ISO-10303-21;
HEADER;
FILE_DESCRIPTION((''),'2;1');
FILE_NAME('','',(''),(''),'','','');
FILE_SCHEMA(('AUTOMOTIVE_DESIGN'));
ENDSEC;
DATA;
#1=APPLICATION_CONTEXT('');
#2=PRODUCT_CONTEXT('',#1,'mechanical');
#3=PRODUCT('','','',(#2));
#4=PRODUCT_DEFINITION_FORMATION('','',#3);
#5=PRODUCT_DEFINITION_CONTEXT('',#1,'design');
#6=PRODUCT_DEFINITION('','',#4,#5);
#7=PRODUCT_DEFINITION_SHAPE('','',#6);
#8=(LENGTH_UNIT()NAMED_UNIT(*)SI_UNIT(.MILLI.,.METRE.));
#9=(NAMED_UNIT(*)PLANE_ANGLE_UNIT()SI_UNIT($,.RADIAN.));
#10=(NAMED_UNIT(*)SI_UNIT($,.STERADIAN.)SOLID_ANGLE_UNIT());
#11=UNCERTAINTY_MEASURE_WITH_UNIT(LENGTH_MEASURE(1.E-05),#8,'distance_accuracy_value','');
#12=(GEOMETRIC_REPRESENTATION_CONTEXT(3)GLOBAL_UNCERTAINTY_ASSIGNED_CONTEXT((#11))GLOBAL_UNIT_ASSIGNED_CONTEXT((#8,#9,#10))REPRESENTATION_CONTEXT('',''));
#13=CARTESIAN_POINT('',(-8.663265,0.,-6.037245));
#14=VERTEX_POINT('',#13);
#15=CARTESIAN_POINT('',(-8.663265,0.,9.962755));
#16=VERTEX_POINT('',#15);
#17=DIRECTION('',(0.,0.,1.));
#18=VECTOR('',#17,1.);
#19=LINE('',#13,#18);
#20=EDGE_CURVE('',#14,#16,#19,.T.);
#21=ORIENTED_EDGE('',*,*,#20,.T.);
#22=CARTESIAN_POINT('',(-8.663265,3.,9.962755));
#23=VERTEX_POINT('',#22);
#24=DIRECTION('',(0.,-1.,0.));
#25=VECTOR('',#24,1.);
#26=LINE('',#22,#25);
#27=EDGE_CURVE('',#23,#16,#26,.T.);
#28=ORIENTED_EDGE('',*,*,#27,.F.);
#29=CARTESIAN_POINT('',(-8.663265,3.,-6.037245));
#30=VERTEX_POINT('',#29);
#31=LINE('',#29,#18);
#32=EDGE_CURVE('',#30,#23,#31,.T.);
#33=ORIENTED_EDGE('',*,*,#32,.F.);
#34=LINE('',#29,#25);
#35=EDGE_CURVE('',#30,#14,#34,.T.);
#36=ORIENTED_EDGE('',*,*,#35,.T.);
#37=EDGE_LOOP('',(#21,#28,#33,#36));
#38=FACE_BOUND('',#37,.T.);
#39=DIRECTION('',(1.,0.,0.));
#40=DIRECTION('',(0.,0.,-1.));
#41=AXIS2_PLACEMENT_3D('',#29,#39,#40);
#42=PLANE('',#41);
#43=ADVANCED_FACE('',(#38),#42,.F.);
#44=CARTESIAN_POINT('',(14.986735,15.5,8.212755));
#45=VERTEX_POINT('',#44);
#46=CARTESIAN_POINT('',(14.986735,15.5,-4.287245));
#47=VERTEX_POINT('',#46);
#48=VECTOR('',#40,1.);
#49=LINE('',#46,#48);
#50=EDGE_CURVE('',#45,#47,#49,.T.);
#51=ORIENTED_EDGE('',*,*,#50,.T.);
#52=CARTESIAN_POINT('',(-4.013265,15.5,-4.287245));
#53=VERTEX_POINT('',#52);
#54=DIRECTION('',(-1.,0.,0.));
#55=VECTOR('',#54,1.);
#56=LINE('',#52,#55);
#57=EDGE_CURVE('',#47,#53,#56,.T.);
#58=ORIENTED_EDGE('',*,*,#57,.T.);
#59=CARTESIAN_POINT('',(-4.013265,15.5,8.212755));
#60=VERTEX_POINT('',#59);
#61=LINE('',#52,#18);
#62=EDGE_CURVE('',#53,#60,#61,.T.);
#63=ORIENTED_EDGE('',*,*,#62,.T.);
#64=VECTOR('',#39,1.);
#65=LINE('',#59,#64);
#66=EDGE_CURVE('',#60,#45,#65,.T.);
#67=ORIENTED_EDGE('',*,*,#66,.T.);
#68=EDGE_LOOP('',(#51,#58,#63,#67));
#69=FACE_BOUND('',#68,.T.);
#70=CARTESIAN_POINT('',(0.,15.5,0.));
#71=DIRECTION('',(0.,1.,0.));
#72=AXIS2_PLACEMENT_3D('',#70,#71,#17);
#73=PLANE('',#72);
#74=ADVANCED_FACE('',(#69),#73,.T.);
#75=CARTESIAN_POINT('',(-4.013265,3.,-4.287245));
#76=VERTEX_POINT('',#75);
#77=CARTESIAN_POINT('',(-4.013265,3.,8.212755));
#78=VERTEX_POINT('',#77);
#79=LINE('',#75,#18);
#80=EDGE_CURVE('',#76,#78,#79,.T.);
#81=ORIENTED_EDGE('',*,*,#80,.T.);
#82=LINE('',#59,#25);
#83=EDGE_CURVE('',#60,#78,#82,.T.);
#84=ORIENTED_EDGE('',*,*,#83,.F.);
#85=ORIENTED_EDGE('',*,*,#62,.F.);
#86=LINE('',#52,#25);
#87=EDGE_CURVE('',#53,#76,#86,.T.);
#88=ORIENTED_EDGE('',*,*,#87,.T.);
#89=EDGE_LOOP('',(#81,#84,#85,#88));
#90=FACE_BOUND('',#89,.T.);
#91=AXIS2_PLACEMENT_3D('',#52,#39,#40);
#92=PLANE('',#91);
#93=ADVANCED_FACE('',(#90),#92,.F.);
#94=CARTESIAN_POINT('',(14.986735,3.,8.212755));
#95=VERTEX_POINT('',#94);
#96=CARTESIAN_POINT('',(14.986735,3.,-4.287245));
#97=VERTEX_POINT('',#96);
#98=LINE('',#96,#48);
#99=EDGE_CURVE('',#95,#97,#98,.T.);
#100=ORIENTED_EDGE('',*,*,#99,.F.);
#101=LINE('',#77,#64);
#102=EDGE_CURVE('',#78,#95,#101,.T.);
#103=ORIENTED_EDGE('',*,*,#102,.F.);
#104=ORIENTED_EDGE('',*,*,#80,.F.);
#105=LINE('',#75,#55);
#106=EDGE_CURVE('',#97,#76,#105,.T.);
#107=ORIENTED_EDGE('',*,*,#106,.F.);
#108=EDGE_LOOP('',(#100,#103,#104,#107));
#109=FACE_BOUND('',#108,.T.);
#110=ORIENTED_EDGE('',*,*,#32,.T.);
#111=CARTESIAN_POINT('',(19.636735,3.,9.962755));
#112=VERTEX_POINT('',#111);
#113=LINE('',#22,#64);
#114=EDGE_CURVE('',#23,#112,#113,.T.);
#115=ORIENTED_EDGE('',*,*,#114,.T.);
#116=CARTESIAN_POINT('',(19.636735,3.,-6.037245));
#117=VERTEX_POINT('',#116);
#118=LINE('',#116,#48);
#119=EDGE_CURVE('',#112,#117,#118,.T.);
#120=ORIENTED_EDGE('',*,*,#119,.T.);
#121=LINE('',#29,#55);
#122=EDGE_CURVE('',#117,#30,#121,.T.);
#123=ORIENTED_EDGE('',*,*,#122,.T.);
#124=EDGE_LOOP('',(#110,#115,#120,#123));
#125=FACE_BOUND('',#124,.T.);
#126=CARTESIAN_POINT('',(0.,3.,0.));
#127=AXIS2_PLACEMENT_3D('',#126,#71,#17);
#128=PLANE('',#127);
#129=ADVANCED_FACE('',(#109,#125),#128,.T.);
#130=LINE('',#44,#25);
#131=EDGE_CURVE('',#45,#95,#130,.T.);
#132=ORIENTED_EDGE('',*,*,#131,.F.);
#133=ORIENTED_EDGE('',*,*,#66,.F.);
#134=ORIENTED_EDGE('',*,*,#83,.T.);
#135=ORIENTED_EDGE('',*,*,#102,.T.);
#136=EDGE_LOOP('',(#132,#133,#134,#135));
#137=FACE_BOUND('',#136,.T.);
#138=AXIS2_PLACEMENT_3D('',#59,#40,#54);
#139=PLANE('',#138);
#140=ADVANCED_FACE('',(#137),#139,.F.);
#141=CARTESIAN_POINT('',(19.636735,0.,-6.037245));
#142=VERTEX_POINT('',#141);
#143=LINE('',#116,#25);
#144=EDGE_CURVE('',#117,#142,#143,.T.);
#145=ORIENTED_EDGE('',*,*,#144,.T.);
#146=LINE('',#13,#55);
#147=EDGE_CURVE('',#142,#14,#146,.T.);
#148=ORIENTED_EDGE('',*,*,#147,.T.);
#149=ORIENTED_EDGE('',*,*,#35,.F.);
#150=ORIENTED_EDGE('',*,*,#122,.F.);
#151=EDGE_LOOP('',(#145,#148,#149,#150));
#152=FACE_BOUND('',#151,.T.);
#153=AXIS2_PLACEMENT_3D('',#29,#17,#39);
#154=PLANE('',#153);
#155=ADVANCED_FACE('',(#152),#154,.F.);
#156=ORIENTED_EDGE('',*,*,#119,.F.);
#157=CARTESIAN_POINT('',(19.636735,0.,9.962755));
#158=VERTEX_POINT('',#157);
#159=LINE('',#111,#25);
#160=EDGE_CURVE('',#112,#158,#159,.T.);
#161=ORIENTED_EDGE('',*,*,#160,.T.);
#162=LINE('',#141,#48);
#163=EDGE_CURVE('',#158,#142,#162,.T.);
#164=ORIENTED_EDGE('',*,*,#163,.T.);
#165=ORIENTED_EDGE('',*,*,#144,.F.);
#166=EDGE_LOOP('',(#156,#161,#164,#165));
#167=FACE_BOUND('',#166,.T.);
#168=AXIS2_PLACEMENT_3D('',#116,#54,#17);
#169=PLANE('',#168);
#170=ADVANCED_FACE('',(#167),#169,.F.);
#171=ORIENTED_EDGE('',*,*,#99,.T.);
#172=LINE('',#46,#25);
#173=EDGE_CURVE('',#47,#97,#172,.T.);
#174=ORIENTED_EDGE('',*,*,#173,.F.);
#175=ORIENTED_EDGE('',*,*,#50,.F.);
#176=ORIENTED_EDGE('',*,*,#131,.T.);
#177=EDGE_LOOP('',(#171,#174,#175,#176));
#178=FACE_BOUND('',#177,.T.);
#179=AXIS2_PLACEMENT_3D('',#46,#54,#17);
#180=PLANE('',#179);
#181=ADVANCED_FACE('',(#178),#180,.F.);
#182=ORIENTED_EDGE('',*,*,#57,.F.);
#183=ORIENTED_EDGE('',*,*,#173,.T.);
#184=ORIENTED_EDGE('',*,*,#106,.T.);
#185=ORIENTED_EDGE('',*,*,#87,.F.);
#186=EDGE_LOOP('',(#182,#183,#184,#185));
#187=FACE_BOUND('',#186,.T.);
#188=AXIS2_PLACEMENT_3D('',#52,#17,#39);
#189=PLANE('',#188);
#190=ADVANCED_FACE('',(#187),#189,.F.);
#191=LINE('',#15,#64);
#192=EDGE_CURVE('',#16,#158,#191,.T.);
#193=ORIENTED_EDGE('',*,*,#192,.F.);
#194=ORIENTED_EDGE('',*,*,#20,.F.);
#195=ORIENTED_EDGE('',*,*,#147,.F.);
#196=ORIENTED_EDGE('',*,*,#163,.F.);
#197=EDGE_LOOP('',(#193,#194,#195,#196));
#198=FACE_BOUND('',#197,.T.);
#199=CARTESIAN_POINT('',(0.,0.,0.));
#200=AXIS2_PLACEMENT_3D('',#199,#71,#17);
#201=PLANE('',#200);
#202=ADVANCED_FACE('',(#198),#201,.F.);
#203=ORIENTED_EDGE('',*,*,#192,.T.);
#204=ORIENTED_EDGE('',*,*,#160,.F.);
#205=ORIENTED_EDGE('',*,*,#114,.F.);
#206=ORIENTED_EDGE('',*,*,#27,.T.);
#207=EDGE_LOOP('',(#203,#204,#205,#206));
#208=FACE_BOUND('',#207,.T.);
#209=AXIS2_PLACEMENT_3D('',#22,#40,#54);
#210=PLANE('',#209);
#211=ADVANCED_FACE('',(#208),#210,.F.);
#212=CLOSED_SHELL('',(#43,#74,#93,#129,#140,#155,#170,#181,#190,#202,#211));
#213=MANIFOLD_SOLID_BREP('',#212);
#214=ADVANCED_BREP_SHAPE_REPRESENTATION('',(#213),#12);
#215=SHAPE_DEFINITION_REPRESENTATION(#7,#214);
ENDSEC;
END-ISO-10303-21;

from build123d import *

# Parameters (mm, degrees)
SKETCH1_W           = 28.3
SKETCH1_H           = 16
BOSS_EXTRUDE1_DEPTH = 3
SKETCH2_W           = 19
SKETCH2_H           = 12.5
BOSS_EXTRUDE2_DEPTH = 12.5


with BuildPart() as part:
    # Sketch1 → Boss-Extrude1 (new body)
    with BuildSketch(Plane(origin=(0, 0, 0), x_dir=(1, 0, 0), z_dir=(0, 1, 0))):
        with Locations((5.486734694, -1.962755102)):
            Rectangle(SKETCH1_W, SKETCH1_H)
    extrude(amount=BOSS_EXTRUDE1_DEPTH)

    # Sketch2 → Boss-Extrude2 (add)
    with BuildSketch(Plane(origin=(0, 3, 0), x_dir=(1, 0, 0), z_dir=(0, 1, 0))):
        with Locations((5.486734694, -1.962755102)):
            Rectangle(SKETCH2_W, SKETCH2_H)
    extrude(amount=BOSS_EXTRUDE2_DEPTH)


solid = part.part
